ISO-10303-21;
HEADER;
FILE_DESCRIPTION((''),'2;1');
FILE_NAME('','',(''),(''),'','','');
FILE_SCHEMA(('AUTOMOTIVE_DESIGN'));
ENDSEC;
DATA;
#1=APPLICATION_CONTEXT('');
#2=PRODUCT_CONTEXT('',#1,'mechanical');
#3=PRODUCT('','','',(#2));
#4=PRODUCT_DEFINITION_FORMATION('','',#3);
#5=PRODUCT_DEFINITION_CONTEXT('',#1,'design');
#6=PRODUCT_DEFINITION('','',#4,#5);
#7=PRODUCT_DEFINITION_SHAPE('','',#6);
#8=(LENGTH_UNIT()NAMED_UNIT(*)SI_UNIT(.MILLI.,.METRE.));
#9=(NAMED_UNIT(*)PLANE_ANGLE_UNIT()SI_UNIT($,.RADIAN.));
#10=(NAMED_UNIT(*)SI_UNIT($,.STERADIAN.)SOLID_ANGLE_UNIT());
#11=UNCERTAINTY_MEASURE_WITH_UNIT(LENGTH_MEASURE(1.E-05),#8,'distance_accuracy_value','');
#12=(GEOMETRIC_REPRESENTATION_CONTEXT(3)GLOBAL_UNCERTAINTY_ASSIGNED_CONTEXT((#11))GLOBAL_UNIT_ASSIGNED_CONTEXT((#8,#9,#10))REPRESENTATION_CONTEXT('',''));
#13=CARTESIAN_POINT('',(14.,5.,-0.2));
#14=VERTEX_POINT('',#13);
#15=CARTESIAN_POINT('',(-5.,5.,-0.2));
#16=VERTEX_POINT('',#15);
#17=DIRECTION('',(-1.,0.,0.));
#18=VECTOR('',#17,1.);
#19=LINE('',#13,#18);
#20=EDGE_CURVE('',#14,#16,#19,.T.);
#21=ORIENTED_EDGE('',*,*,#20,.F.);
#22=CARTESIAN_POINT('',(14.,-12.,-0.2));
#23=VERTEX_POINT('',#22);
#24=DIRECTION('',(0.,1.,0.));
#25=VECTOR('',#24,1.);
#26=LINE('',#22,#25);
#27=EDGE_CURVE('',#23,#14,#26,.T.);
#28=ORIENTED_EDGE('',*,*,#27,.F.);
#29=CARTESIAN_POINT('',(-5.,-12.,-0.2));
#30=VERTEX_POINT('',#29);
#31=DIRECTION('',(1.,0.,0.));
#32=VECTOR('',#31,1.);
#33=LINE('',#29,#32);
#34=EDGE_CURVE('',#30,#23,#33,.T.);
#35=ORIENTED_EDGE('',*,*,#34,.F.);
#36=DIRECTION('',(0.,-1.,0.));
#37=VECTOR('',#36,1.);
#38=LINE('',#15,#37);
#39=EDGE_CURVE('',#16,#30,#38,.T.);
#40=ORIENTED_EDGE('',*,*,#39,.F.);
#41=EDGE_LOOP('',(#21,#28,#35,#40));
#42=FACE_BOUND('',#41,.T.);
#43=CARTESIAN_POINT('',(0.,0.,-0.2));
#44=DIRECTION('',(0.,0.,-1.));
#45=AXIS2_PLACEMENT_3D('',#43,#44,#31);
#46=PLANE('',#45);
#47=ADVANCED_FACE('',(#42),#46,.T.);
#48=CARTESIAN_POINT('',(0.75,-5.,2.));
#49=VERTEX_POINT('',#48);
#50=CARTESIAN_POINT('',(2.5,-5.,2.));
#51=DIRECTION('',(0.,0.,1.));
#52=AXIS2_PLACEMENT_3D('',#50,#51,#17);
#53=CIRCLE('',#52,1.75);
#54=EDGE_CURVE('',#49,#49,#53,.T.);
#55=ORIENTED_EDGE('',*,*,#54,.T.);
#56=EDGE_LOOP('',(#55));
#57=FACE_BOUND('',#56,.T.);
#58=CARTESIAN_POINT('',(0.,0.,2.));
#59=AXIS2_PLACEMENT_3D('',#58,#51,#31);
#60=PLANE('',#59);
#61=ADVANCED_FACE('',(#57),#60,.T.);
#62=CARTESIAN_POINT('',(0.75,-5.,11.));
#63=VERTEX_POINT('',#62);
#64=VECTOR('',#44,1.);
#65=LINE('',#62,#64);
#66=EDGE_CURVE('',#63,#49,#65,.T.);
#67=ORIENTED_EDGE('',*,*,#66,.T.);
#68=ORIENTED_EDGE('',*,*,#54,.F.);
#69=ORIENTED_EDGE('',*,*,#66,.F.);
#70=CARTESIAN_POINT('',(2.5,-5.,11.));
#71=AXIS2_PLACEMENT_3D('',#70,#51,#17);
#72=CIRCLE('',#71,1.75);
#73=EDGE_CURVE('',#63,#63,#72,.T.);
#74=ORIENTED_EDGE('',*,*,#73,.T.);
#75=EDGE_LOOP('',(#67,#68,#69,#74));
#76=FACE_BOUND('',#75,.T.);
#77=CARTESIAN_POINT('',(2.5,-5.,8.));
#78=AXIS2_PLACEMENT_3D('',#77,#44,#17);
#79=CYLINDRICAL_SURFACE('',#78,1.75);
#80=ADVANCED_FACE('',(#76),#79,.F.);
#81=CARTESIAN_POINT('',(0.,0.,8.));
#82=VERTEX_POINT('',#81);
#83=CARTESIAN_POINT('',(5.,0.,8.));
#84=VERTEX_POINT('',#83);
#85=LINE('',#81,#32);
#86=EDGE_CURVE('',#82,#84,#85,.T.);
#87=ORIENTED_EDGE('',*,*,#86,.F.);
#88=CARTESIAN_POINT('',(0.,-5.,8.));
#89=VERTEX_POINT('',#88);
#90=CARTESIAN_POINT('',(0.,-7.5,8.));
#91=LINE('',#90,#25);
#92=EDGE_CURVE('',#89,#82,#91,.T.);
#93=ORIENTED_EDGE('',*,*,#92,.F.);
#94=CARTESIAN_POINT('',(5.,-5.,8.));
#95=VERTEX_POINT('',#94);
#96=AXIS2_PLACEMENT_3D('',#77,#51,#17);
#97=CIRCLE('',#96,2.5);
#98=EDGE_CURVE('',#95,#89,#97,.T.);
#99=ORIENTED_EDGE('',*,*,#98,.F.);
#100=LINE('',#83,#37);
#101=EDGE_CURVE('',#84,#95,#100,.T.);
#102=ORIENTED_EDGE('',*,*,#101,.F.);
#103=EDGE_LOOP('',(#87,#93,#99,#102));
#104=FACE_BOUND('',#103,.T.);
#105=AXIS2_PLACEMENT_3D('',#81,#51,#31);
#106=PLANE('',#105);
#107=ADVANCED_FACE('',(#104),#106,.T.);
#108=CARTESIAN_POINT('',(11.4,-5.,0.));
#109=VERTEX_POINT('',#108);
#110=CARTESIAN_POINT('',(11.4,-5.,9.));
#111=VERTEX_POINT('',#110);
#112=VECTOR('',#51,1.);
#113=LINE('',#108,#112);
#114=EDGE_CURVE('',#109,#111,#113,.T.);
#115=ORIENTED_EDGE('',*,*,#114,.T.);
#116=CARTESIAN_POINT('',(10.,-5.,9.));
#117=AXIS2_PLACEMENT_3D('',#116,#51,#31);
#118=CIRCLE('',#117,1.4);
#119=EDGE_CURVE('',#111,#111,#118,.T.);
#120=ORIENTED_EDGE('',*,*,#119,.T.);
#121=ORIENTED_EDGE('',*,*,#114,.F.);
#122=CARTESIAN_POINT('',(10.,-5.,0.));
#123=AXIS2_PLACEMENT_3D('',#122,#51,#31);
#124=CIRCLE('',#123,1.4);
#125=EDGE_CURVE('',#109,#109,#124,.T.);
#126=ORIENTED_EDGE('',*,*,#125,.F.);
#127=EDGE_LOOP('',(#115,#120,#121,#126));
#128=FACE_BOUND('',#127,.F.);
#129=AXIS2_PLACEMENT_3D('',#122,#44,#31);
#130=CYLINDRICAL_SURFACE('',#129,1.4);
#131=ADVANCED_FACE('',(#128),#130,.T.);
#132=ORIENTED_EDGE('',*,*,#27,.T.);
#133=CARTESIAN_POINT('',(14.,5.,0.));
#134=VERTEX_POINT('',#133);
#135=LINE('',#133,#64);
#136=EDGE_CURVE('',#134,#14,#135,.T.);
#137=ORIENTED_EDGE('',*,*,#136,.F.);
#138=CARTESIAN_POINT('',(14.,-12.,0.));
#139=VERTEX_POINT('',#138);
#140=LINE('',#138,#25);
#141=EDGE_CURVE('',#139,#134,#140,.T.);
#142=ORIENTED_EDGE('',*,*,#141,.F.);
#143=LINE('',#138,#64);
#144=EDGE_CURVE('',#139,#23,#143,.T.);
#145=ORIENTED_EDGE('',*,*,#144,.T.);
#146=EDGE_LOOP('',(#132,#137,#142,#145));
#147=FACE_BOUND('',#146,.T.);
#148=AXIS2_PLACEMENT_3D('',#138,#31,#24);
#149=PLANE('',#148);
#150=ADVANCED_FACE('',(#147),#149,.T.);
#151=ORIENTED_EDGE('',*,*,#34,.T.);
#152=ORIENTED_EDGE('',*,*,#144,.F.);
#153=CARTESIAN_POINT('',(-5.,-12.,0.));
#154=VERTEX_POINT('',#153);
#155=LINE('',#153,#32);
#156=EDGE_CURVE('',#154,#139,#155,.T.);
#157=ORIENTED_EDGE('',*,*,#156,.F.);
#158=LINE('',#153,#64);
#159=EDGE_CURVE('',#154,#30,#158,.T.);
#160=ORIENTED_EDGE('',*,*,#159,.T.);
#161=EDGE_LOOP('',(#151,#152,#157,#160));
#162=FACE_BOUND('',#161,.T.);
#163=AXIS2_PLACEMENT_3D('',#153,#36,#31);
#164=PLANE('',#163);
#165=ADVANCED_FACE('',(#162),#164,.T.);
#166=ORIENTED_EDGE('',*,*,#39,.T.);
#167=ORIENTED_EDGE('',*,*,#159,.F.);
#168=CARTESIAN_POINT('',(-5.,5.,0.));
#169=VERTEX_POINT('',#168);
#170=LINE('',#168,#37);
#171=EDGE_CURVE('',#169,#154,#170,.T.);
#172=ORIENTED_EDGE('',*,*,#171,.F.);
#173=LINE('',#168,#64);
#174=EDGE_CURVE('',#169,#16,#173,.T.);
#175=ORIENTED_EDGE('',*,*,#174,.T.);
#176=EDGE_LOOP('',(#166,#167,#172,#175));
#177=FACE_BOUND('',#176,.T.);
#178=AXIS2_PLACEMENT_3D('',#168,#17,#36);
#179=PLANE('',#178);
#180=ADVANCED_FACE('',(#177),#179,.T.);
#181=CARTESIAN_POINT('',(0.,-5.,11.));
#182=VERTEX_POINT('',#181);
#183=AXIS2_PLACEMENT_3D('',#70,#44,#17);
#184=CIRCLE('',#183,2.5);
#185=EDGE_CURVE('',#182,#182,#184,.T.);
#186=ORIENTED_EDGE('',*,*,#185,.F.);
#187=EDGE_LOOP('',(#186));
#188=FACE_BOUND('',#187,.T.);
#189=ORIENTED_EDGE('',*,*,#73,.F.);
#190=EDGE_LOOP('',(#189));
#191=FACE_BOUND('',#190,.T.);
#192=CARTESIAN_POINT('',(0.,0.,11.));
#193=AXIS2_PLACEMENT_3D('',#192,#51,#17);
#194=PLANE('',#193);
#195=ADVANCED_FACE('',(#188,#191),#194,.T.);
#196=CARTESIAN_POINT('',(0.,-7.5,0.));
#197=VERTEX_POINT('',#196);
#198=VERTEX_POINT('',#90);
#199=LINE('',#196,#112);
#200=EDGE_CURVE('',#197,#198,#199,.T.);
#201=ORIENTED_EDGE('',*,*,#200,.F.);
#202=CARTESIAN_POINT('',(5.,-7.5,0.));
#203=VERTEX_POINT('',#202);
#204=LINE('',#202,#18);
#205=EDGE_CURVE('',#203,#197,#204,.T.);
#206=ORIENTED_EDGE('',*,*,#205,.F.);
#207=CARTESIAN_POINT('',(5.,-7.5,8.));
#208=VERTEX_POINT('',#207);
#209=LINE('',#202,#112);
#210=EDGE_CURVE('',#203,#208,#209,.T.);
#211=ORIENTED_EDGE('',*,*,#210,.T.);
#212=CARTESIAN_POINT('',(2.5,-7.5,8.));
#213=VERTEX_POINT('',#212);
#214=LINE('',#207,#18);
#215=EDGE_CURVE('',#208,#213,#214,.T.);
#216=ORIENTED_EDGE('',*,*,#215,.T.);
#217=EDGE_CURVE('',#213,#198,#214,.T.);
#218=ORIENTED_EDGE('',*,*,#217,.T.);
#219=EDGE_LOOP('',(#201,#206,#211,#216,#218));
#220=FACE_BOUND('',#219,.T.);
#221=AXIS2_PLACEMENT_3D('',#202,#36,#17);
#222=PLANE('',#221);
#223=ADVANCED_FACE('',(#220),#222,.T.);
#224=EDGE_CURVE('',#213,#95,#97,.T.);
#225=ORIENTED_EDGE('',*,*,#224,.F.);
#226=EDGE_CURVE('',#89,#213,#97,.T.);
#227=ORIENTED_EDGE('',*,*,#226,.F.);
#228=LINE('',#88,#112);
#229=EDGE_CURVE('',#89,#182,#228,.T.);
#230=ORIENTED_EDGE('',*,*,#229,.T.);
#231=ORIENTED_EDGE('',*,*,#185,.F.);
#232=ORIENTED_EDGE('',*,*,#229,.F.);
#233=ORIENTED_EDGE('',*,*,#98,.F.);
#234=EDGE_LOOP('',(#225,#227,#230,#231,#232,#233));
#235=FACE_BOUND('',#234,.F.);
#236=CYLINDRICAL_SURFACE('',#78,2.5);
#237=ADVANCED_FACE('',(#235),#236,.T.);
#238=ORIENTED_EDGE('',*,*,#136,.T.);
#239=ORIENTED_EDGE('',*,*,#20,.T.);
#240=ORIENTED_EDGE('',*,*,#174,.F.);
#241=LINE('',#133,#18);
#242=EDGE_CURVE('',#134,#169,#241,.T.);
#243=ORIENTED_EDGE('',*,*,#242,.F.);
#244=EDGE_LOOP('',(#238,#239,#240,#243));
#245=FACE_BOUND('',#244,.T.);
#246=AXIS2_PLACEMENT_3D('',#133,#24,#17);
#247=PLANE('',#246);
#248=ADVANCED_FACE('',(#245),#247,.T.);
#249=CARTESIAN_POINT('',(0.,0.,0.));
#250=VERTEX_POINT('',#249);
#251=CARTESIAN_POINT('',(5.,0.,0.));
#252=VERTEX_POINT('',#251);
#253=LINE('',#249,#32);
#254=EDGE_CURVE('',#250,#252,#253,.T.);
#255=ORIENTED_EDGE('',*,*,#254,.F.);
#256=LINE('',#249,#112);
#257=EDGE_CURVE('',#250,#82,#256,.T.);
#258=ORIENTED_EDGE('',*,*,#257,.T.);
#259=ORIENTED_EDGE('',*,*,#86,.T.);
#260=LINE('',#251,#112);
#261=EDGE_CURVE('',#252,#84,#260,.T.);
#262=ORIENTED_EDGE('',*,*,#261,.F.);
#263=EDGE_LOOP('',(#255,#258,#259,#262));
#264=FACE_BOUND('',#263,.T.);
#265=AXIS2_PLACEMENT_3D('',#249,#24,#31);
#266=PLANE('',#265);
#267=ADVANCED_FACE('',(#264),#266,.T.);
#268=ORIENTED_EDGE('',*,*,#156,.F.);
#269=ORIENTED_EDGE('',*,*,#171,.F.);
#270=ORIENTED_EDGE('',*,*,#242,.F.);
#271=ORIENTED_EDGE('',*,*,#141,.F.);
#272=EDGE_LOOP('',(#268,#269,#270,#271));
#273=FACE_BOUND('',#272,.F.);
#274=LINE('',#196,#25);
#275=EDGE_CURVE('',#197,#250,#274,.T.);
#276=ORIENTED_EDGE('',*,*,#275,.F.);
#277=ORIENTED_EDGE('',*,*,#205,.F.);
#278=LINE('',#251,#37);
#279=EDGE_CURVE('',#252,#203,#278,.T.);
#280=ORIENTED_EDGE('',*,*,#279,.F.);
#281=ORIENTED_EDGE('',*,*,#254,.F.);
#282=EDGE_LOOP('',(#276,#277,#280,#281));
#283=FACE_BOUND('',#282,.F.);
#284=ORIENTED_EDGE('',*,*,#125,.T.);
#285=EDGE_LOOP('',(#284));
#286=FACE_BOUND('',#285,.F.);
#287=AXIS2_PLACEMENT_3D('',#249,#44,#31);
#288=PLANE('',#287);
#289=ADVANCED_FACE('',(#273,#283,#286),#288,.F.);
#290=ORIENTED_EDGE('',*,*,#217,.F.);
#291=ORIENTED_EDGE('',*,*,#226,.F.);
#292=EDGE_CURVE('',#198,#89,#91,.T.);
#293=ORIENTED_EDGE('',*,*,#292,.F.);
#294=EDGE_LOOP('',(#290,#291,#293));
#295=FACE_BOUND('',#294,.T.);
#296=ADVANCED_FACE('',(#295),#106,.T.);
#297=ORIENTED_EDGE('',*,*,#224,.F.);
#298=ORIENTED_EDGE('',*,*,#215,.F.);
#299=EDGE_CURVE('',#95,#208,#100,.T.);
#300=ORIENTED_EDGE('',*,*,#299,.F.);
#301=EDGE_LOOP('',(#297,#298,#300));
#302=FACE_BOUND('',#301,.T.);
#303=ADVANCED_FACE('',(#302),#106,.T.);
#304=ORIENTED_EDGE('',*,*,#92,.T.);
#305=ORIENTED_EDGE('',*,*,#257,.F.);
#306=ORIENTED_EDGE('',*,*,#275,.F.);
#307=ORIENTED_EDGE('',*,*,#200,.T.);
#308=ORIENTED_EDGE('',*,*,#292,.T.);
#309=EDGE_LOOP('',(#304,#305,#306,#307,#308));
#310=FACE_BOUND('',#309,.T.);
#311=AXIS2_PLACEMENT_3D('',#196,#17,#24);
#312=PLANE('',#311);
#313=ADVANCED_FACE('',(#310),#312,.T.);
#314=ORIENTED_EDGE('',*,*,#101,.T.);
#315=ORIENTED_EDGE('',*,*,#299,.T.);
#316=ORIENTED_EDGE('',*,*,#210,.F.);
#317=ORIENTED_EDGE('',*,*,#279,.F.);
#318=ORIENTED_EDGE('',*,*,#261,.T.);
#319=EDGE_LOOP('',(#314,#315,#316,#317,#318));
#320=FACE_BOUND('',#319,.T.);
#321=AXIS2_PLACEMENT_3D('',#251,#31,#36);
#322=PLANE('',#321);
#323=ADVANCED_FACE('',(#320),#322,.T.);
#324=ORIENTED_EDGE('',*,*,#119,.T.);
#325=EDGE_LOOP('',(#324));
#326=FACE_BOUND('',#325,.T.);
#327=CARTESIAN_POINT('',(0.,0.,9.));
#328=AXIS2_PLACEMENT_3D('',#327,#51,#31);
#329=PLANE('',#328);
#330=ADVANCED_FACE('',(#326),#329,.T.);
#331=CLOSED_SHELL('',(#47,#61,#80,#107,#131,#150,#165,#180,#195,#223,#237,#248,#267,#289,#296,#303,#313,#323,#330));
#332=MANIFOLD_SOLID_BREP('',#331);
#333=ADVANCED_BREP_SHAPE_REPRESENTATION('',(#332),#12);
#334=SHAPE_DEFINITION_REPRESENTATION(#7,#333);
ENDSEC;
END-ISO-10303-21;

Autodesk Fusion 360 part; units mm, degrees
sketch "Sketch1" plane through (0, 0, 0) normal (0, 0, 1) x (1, 0, 0)
  line L0 (0, 0) -> (5, 0)
  line L1 (5, 0) -> (5, -7.5)
  line L2 (5, -7.5) -> (0, -7.5)
  line L3 (0, -7.5) -> (0, 0)
  dimension "d1" = 5
  dimension "d2" = 7.5
extrude "Extrude1" add sketch "Sketch1" along normal blind 8 makes body 1
sketch "Sketch2" plane through (0, 0, 8) normal (0, 0, 1) x (-1, 0, 0)
  line L0 (0, 7.5) -> (-5, 7.5)
  line L1 (-5, 7.5) -> (-5, 0)
  line L2 (-5, 0) -> (0, 0)
  line L3 (0, 0) -> (0, 7.5)
  circle A0 centre (-2.5, 5) radius 2.5
  circle A1 centre (-2.5, 5) radius 1.75
  dimension "d5" = 3.5
extrude "Extrude2" add sketch "Sketch2" along normal blind 3 contours A0 bodies 1
sketch "Sketch3" plane through (0, 0, 0) normal (0, 0, 1) x (1, 0, 0)
  circle A0 centre (10, -5) radius 1.4
  dimension "d8" = 2.8
extrude "Extrude3" add sketch "Sketch3" along normal blind 9 separate body makes body 2
extrude "Extrude4" cut 1 faces at (2.4138, -5.3569, 8) along direction (0, 0, -1) blind 6 on bodies 1 bodies 1
sketch "Sketch4" plane through (0, 0, 0) normal (0, 0, -1) x (1, 0, 0)
  line L0 (5, 7.5) -> (0, 7.5)
  line L1 (0, 7.5) -> (0, 0)
  line L2 (0, 0) -> (5, 0)
  line L3 (5, 0) -> (5, 7.5)
  line L4 (-5, 12) -> (14, 12)
  line L5 (14, 12) -> (14, -5)
  line L6 (14, -5) -> (-5, -5)
  line L7 (-5, -5) -> (-5, 12)
extrude "Extrude5" add sketch "Sketch4" along normal blind 0.2 contours L0 L1 L2 L3 | L4 L5 L6 L7 bodies 1 2
